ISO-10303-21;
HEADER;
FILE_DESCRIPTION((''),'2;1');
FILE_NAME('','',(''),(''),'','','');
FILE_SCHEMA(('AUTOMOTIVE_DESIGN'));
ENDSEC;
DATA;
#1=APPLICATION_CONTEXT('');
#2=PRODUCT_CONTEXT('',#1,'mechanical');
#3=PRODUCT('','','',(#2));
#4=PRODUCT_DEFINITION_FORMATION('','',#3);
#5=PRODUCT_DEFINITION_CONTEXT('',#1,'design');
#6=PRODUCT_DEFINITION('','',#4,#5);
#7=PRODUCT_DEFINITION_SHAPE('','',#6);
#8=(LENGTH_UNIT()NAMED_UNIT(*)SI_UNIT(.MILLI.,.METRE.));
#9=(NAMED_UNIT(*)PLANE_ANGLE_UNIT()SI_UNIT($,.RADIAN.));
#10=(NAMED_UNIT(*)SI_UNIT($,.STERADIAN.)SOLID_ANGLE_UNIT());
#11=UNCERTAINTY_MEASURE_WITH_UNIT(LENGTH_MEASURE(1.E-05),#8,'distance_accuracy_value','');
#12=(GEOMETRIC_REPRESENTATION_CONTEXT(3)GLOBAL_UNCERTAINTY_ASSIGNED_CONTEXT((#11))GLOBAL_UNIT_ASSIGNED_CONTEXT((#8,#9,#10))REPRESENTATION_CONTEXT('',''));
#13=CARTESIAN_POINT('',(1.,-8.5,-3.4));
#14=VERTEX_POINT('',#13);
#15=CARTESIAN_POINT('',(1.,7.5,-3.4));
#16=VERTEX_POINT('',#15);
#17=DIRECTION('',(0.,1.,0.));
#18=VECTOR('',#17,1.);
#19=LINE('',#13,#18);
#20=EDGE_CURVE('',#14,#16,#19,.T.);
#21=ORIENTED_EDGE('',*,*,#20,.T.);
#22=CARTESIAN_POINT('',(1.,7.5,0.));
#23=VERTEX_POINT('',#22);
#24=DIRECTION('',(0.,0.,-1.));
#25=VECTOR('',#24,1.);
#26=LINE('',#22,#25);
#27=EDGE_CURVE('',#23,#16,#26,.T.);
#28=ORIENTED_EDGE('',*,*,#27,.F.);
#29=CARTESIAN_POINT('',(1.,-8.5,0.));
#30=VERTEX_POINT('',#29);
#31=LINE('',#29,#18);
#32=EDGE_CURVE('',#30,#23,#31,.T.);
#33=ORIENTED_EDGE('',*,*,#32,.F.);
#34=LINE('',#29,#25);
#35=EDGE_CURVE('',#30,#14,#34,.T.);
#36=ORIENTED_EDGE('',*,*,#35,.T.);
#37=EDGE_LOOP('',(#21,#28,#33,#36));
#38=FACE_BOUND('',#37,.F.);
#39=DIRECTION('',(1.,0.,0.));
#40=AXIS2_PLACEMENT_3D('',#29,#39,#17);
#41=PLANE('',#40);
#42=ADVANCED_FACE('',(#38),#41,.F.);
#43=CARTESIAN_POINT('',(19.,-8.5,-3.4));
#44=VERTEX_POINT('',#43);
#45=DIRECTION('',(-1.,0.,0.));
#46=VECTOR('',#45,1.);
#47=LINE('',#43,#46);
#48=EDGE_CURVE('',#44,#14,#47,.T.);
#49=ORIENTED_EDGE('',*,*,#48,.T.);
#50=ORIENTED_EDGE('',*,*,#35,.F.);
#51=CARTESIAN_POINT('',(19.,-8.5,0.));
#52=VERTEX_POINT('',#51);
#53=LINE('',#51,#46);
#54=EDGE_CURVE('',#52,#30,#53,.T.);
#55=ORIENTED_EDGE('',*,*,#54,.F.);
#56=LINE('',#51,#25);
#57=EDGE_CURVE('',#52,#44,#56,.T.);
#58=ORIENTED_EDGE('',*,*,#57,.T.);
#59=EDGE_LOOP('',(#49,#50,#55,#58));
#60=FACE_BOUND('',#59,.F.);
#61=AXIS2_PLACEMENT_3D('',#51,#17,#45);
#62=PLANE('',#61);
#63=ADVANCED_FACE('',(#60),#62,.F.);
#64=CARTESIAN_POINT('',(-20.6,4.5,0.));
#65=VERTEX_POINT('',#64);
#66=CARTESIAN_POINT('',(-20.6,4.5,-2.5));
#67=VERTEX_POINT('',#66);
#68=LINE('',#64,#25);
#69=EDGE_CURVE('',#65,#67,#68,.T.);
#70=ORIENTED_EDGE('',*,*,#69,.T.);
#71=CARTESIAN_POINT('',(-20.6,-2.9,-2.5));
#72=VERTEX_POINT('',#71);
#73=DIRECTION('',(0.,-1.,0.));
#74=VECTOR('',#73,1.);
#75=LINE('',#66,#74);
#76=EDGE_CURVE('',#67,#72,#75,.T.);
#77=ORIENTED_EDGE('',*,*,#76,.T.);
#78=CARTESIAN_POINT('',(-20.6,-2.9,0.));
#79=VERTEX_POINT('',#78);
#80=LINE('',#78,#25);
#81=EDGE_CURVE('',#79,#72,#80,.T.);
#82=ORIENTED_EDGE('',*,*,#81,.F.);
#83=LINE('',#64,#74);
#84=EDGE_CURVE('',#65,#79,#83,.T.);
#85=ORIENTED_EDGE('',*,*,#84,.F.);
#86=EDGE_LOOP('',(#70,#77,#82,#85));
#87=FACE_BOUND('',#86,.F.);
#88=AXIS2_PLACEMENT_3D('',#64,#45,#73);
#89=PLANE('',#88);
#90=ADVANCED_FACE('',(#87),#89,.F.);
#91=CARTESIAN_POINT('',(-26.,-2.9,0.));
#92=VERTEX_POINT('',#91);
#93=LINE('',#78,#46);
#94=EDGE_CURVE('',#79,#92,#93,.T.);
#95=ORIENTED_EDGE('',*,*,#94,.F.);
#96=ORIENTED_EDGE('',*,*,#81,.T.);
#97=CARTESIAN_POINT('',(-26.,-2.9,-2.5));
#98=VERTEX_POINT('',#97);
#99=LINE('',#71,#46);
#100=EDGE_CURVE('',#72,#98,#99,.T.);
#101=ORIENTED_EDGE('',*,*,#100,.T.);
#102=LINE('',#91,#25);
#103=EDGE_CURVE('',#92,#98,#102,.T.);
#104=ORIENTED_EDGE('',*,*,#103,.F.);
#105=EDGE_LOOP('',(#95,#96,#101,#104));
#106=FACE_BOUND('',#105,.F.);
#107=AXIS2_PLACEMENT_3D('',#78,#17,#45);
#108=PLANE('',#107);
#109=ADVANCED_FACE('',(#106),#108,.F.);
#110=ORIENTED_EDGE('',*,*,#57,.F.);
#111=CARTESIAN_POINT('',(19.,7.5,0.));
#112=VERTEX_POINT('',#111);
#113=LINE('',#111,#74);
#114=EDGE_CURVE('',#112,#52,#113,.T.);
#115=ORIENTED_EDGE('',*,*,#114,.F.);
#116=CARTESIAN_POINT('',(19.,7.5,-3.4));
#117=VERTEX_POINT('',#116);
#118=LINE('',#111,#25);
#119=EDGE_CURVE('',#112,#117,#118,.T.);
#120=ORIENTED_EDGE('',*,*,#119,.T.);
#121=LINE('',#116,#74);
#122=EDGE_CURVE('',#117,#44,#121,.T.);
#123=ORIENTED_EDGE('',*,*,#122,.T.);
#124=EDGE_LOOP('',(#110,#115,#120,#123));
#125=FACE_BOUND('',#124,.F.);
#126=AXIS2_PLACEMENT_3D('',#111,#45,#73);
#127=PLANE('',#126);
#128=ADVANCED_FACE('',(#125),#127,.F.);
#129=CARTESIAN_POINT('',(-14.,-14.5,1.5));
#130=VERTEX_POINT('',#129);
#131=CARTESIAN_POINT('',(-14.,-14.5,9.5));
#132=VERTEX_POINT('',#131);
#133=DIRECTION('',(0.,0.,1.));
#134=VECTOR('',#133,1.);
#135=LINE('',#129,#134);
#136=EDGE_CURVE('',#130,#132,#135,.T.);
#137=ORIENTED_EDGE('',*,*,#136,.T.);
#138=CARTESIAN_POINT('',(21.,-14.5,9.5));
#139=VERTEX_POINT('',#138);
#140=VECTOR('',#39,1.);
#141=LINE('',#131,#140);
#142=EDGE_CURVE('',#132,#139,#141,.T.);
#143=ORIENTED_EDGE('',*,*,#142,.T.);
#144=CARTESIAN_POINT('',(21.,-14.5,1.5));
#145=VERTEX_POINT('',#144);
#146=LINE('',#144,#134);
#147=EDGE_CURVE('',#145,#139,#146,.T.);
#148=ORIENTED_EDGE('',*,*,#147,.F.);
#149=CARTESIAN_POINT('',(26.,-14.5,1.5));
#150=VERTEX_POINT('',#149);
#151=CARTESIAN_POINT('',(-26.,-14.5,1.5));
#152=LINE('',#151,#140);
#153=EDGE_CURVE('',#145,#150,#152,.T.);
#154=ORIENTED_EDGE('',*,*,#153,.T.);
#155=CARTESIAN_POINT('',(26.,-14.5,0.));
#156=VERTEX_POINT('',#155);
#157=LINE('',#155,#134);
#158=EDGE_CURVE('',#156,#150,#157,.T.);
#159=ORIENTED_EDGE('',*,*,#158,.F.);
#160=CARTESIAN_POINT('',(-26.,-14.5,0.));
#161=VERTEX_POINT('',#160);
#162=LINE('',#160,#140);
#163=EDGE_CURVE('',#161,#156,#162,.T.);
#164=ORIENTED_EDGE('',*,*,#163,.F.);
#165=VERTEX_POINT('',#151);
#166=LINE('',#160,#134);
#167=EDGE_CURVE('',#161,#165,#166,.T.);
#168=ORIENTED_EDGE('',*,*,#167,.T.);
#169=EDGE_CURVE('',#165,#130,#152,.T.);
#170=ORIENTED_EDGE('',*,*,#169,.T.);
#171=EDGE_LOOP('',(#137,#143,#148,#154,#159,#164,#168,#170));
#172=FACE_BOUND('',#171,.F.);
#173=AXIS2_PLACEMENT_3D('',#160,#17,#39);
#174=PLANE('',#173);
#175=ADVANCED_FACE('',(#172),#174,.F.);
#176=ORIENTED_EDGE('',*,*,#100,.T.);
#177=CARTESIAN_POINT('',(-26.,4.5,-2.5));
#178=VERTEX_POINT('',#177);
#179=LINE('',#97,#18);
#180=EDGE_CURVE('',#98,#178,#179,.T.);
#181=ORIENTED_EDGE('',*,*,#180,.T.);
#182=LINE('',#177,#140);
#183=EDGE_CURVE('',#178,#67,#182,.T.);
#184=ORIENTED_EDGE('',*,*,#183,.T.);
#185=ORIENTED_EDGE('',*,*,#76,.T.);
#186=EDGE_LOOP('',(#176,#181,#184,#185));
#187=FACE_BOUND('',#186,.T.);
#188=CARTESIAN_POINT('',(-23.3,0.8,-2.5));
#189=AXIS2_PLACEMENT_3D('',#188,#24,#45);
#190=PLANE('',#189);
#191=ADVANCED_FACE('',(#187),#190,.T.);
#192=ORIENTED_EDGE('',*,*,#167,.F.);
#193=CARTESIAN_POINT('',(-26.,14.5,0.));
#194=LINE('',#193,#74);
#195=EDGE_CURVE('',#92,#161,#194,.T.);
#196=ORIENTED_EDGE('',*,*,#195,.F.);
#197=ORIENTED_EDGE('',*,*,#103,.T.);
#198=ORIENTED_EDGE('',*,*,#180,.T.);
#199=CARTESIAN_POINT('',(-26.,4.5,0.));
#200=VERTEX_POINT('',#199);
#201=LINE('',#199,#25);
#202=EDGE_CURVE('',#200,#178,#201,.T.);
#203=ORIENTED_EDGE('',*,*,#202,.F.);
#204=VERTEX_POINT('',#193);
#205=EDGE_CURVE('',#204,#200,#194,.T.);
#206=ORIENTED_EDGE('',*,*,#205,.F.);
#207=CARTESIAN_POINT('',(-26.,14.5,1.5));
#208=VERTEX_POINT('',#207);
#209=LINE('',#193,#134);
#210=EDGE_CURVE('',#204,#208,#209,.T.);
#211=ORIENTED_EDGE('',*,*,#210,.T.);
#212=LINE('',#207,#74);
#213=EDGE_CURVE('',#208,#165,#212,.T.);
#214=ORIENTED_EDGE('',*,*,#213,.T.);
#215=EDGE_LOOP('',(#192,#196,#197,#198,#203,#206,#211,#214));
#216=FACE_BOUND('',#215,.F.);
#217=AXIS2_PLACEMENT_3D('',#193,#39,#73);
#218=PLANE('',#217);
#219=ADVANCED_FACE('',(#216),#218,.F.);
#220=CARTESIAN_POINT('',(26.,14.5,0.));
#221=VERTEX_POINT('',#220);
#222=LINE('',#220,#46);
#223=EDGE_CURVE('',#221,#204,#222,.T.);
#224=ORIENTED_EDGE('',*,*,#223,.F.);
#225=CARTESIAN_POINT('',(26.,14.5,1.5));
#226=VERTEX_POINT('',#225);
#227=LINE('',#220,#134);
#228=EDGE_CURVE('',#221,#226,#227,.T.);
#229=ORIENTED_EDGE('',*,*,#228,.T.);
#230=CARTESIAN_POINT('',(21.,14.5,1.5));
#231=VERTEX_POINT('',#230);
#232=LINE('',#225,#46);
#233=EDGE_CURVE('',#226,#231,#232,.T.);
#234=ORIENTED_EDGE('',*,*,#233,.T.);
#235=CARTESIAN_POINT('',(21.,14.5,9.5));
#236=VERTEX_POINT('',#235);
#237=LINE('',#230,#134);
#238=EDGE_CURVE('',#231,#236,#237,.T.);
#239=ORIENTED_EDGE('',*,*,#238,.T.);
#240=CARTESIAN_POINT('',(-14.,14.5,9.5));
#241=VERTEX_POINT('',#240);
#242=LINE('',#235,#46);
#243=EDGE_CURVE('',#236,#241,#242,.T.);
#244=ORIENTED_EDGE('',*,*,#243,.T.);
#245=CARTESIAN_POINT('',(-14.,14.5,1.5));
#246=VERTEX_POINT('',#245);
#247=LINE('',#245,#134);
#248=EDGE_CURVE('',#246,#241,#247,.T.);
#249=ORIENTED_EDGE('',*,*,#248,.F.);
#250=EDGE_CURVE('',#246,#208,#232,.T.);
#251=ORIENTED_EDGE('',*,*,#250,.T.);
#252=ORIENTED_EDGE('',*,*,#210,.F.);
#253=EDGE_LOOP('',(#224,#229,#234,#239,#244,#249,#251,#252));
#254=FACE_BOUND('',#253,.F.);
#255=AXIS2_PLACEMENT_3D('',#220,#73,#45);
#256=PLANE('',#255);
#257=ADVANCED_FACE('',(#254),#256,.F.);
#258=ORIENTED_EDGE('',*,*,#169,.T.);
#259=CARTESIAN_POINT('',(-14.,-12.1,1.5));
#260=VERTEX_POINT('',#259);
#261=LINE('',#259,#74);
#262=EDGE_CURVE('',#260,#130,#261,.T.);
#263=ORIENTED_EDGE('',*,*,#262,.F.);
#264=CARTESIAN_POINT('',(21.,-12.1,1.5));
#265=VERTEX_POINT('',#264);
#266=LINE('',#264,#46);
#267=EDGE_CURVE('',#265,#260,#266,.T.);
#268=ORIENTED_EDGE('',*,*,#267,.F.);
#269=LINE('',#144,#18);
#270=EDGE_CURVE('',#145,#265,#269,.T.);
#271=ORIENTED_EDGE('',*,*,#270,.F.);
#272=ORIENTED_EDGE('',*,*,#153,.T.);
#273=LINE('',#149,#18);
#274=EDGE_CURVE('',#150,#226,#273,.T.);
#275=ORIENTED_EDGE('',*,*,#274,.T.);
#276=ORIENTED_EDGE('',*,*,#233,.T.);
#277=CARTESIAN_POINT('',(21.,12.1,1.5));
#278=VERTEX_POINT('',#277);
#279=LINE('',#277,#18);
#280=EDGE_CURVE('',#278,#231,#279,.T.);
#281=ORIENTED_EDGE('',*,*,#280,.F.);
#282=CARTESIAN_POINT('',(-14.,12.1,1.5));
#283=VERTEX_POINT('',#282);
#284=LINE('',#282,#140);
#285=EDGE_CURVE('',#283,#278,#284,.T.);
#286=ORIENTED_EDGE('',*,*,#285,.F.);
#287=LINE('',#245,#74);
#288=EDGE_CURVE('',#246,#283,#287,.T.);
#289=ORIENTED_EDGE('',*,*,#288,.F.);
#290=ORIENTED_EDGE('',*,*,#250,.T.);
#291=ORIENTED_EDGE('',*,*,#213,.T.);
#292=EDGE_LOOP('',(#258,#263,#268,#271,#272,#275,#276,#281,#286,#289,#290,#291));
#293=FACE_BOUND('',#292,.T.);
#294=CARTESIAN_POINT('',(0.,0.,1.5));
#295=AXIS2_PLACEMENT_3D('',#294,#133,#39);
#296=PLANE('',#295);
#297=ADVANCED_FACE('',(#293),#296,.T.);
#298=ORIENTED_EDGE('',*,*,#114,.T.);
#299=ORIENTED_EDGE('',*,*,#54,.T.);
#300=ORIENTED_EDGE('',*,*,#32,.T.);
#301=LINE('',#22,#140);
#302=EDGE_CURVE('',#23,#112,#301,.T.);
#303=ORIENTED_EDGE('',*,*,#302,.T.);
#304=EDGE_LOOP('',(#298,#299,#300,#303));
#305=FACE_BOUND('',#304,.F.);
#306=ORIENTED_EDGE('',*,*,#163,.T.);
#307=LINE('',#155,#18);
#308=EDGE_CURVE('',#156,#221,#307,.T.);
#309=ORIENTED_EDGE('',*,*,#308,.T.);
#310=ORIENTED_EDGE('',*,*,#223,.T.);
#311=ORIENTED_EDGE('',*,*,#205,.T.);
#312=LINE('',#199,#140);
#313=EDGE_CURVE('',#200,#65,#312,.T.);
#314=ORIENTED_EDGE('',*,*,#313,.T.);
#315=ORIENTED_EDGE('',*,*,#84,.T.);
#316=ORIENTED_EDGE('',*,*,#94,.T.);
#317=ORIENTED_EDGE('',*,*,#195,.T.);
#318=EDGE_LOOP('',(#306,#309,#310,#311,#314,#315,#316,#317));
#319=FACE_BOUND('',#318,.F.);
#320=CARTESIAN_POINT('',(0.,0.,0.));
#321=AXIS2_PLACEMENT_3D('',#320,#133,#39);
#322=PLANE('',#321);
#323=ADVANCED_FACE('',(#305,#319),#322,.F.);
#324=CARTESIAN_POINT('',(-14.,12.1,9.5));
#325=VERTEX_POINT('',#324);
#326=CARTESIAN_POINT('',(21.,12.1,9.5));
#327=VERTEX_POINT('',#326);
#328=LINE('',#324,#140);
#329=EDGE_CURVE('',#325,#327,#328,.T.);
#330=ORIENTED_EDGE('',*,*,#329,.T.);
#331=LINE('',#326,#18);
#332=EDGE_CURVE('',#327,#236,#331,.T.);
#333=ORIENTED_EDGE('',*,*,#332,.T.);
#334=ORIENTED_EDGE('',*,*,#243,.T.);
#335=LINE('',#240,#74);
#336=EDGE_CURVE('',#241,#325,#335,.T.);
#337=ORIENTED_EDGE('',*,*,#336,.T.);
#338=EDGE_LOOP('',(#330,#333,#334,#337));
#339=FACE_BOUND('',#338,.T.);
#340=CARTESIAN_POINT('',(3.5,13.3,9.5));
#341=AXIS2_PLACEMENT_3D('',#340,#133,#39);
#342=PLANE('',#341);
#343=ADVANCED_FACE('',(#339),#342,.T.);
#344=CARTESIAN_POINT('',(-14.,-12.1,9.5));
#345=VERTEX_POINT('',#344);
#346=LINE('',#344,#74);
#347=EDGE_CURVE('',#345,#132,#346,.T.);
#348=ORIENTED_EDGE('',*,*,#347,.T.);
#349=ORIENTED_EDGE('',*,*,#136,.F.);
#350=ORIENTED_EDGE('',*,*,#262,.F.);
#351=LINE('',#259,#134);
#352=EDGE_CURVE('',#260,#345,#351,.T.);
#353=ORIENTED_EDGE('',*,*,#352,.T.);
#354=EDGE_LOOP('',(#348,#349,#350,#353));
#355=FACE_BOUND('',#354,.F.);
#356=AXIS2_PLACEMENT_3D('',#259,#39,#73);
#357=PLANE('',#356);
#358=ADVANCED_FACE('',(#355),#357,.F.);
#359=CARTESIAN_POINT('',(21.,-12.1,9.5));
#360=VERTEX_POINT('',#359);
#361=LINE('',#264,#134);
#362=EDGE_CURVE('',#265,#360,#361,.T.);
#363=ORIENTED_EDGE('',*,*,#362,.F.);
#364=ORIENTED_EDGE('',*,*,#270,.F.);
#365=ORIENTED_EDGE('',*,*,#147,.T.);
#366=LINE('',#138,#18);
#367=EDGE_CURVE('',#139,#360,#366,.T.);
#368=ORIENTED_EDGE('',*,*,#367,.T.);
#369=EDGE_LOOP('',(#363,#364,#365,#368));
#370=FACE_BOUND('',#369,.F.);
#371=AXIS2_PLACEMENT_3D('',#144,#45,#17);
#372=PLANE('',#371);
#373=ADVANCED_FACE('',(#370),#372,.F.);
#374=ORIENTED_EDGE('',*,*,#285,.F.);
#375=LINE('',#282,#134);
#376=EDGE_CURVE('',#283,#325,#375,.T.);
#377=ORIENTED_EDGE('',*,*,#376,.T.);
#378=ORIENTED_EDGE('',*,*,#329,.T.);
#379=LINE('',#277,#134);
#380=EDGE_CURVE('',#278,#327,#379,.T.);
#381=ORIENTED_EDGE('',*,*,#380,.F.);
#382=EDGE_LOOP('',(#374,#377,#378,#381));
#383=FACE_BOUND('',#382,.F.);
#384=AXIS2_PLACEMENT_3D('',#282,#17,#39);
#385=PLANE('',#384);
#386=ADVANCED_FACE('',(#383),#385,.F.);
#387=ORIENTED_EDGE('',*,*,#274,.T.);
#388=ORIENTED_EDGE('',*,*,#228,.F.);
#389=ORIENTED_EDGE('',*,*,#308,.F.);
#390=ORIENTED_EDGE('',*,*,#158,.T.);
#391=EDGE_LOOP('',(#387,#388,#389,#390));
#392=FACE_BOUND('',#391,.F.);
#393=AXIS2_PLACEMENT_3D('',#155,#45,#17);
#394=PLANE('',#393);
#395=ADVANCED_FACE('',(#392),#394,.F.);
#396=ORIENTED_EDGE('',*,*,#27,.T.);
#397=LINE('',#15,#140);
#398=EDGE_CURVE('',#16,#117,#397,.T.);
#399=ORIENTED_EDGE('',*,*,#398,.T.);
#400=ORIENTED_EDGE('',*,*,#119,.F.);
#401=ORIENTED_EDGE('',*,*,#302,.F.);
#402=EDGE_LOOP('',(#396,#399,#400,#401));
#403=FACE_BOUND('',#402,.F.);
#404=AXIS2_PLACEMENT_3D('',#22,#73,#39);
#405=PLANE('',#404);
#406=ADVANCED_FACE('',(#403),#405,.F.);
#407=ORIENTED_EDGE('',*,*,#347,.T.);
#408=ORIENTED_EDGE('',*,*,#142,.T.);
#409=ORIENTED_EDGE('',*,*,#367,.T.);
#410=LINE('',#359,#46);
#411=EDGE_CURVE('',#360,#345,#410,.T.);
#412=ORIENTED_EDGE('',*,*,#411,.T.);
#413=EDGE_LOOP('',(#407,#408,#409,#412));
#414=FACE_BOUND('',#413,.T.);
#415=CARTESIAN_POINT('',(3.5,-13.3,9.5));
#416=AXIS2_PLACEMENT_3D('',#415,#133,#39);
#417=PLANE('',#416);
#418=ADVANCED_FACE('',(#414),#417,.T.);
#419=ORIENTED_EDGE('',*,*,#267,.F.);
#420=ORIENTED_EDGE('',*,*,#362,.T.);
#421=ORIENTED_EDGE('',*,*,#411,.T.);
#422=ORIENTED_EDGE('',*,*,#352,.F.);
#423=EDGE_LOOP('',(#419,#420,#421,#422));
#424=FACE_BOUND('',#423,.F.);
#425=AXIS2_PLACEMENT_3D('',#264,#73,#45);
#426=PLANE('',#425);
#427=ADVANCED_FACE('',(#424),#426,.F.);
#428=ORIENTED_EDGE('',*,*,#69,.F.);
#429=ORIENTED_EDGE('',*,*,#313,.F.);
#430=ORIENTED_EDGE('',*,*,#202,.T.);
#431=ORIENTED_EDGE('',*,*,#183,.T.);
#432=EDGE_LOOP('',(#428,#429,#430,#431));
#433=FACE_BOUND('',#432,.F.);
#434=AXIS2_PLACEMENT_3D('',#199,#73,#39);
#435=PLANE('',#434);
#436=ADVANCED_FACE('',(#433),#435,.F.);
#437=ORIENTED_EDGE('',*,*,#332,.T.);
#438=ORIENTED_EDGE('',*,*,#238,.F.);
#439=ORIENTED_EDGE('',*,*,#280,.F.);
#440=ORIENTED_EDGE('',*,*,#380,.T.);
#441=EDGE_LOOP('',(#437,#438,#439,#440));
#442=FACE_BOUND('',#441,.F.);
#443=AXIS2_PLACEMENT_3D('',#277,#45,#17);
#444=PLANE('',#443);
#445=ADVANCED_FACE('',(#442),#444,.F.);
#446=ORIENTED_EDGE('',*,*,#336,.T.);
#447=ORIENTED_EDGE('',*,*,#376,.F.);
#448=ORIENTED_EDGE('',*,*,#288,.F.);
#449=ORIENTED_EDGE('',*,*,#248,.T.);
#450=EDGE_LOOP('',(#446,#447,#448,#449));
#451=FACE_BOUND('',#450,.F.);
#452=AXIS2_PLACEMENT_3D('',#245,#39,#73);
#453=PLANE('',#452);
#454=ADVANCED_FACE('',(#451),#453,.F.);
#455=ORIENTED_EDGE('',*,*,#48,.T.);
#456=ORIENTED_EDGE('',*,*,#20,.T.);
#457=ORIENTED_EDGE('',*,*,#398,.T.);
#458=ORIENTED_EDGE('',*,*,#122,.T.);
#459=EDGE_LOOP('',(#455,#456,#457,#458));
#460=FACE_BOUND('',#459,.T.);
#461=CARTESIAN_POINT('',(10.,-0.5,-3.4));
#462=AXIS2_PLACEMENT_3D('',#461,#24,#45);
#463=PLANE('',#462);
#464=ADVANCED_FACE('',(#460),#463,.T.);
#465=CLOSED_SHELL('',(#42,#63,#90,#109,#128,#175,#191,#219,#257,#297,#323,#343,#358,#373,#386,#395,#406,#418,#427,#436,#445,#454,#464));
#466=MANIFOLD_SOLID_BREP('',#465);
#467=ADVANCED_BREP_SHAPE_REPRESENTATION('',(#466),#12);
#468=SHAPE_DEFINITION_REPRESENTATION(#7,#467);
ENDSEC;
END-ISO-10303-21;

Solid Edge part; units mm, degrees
sketch "Sketch1" plane through (0, 0, 0) normal (0, 0, 1) x (1, 0, 0)
  line L0 (26, -14.5) -> (26, 14.5)
  line L1 (26, 14.5) -> (-26, 14.5)
  line L2 (-26, 14.5) -> (-26, -14.5)
  line L3 (-26, -14.5) -> (26, -14.5)
extrude "Protrusion1" add sketch "Sketch1" along normal blind 1.5
sketch "Sketch2" plane through (0, 0, 1.5) normal (0, 0, 1) x (1, 0, 0)
  line L0 (-14, 12.1) -> (21, 12.1)
  line L1 (21, 12.1) -> (21, 14.5)
  line L2 (21, 14.5) -> (-14, 14.5)
  line L3 (-14, 14.5) -> (-14, 12.1)
  line L4 (21, -14.5) -> (21, -12.1)
  line L5 (21, -12.1) -> (-14, -12.1)
  line L6 (-14, -12.1) -> (-14, -14.5)
  line L7 (-14, -14.5) -> (21, -14.5)
  dimension "D1" = 35
  dimension "D2" = 5
  dimension "D3" = 35
  dimension "D4" = 5
  dimension "D5" = 2.4
extrude "ExtrudedProtrusion_2" add sketch "Sketch2" along normal blind 8
sketch "Sketch3" plane through (0, 0, 0) normal (0, 0, -1) x (-1, 0, 0)
  line L0 (-19, -8.5) -> (-1, -8.5)
  line L1 (-1, -8.5) -> (-1, 7.5)
  line L2 (-1, 7.5) -> (-19, 7.5)
  line L3 (-19, 7.5) -> (-19, -8.5)
extrude "ExtrudedProtrusion_3" add sketch "Sketch3" along normal blind 3.4
sketch "Sketch4" plane through (0, 0, 0) normal (0, 0, -1) x (-1, 0, 0)
  line L0 (26, 4.5) -> (20.6, 4.5)
  line L1 (20.6, 4.5) -> (20.6, -2.9)
  line L2 (20.6, -2.9) -> (26, -2.9)
  line L3 (26, -2.9) -> (26, 4.5)
extrude "ExtrudedProtrusion_4" add sketch "Sketch4" along normal blind 2.5
properties material "ABS Plastic, high impact"
